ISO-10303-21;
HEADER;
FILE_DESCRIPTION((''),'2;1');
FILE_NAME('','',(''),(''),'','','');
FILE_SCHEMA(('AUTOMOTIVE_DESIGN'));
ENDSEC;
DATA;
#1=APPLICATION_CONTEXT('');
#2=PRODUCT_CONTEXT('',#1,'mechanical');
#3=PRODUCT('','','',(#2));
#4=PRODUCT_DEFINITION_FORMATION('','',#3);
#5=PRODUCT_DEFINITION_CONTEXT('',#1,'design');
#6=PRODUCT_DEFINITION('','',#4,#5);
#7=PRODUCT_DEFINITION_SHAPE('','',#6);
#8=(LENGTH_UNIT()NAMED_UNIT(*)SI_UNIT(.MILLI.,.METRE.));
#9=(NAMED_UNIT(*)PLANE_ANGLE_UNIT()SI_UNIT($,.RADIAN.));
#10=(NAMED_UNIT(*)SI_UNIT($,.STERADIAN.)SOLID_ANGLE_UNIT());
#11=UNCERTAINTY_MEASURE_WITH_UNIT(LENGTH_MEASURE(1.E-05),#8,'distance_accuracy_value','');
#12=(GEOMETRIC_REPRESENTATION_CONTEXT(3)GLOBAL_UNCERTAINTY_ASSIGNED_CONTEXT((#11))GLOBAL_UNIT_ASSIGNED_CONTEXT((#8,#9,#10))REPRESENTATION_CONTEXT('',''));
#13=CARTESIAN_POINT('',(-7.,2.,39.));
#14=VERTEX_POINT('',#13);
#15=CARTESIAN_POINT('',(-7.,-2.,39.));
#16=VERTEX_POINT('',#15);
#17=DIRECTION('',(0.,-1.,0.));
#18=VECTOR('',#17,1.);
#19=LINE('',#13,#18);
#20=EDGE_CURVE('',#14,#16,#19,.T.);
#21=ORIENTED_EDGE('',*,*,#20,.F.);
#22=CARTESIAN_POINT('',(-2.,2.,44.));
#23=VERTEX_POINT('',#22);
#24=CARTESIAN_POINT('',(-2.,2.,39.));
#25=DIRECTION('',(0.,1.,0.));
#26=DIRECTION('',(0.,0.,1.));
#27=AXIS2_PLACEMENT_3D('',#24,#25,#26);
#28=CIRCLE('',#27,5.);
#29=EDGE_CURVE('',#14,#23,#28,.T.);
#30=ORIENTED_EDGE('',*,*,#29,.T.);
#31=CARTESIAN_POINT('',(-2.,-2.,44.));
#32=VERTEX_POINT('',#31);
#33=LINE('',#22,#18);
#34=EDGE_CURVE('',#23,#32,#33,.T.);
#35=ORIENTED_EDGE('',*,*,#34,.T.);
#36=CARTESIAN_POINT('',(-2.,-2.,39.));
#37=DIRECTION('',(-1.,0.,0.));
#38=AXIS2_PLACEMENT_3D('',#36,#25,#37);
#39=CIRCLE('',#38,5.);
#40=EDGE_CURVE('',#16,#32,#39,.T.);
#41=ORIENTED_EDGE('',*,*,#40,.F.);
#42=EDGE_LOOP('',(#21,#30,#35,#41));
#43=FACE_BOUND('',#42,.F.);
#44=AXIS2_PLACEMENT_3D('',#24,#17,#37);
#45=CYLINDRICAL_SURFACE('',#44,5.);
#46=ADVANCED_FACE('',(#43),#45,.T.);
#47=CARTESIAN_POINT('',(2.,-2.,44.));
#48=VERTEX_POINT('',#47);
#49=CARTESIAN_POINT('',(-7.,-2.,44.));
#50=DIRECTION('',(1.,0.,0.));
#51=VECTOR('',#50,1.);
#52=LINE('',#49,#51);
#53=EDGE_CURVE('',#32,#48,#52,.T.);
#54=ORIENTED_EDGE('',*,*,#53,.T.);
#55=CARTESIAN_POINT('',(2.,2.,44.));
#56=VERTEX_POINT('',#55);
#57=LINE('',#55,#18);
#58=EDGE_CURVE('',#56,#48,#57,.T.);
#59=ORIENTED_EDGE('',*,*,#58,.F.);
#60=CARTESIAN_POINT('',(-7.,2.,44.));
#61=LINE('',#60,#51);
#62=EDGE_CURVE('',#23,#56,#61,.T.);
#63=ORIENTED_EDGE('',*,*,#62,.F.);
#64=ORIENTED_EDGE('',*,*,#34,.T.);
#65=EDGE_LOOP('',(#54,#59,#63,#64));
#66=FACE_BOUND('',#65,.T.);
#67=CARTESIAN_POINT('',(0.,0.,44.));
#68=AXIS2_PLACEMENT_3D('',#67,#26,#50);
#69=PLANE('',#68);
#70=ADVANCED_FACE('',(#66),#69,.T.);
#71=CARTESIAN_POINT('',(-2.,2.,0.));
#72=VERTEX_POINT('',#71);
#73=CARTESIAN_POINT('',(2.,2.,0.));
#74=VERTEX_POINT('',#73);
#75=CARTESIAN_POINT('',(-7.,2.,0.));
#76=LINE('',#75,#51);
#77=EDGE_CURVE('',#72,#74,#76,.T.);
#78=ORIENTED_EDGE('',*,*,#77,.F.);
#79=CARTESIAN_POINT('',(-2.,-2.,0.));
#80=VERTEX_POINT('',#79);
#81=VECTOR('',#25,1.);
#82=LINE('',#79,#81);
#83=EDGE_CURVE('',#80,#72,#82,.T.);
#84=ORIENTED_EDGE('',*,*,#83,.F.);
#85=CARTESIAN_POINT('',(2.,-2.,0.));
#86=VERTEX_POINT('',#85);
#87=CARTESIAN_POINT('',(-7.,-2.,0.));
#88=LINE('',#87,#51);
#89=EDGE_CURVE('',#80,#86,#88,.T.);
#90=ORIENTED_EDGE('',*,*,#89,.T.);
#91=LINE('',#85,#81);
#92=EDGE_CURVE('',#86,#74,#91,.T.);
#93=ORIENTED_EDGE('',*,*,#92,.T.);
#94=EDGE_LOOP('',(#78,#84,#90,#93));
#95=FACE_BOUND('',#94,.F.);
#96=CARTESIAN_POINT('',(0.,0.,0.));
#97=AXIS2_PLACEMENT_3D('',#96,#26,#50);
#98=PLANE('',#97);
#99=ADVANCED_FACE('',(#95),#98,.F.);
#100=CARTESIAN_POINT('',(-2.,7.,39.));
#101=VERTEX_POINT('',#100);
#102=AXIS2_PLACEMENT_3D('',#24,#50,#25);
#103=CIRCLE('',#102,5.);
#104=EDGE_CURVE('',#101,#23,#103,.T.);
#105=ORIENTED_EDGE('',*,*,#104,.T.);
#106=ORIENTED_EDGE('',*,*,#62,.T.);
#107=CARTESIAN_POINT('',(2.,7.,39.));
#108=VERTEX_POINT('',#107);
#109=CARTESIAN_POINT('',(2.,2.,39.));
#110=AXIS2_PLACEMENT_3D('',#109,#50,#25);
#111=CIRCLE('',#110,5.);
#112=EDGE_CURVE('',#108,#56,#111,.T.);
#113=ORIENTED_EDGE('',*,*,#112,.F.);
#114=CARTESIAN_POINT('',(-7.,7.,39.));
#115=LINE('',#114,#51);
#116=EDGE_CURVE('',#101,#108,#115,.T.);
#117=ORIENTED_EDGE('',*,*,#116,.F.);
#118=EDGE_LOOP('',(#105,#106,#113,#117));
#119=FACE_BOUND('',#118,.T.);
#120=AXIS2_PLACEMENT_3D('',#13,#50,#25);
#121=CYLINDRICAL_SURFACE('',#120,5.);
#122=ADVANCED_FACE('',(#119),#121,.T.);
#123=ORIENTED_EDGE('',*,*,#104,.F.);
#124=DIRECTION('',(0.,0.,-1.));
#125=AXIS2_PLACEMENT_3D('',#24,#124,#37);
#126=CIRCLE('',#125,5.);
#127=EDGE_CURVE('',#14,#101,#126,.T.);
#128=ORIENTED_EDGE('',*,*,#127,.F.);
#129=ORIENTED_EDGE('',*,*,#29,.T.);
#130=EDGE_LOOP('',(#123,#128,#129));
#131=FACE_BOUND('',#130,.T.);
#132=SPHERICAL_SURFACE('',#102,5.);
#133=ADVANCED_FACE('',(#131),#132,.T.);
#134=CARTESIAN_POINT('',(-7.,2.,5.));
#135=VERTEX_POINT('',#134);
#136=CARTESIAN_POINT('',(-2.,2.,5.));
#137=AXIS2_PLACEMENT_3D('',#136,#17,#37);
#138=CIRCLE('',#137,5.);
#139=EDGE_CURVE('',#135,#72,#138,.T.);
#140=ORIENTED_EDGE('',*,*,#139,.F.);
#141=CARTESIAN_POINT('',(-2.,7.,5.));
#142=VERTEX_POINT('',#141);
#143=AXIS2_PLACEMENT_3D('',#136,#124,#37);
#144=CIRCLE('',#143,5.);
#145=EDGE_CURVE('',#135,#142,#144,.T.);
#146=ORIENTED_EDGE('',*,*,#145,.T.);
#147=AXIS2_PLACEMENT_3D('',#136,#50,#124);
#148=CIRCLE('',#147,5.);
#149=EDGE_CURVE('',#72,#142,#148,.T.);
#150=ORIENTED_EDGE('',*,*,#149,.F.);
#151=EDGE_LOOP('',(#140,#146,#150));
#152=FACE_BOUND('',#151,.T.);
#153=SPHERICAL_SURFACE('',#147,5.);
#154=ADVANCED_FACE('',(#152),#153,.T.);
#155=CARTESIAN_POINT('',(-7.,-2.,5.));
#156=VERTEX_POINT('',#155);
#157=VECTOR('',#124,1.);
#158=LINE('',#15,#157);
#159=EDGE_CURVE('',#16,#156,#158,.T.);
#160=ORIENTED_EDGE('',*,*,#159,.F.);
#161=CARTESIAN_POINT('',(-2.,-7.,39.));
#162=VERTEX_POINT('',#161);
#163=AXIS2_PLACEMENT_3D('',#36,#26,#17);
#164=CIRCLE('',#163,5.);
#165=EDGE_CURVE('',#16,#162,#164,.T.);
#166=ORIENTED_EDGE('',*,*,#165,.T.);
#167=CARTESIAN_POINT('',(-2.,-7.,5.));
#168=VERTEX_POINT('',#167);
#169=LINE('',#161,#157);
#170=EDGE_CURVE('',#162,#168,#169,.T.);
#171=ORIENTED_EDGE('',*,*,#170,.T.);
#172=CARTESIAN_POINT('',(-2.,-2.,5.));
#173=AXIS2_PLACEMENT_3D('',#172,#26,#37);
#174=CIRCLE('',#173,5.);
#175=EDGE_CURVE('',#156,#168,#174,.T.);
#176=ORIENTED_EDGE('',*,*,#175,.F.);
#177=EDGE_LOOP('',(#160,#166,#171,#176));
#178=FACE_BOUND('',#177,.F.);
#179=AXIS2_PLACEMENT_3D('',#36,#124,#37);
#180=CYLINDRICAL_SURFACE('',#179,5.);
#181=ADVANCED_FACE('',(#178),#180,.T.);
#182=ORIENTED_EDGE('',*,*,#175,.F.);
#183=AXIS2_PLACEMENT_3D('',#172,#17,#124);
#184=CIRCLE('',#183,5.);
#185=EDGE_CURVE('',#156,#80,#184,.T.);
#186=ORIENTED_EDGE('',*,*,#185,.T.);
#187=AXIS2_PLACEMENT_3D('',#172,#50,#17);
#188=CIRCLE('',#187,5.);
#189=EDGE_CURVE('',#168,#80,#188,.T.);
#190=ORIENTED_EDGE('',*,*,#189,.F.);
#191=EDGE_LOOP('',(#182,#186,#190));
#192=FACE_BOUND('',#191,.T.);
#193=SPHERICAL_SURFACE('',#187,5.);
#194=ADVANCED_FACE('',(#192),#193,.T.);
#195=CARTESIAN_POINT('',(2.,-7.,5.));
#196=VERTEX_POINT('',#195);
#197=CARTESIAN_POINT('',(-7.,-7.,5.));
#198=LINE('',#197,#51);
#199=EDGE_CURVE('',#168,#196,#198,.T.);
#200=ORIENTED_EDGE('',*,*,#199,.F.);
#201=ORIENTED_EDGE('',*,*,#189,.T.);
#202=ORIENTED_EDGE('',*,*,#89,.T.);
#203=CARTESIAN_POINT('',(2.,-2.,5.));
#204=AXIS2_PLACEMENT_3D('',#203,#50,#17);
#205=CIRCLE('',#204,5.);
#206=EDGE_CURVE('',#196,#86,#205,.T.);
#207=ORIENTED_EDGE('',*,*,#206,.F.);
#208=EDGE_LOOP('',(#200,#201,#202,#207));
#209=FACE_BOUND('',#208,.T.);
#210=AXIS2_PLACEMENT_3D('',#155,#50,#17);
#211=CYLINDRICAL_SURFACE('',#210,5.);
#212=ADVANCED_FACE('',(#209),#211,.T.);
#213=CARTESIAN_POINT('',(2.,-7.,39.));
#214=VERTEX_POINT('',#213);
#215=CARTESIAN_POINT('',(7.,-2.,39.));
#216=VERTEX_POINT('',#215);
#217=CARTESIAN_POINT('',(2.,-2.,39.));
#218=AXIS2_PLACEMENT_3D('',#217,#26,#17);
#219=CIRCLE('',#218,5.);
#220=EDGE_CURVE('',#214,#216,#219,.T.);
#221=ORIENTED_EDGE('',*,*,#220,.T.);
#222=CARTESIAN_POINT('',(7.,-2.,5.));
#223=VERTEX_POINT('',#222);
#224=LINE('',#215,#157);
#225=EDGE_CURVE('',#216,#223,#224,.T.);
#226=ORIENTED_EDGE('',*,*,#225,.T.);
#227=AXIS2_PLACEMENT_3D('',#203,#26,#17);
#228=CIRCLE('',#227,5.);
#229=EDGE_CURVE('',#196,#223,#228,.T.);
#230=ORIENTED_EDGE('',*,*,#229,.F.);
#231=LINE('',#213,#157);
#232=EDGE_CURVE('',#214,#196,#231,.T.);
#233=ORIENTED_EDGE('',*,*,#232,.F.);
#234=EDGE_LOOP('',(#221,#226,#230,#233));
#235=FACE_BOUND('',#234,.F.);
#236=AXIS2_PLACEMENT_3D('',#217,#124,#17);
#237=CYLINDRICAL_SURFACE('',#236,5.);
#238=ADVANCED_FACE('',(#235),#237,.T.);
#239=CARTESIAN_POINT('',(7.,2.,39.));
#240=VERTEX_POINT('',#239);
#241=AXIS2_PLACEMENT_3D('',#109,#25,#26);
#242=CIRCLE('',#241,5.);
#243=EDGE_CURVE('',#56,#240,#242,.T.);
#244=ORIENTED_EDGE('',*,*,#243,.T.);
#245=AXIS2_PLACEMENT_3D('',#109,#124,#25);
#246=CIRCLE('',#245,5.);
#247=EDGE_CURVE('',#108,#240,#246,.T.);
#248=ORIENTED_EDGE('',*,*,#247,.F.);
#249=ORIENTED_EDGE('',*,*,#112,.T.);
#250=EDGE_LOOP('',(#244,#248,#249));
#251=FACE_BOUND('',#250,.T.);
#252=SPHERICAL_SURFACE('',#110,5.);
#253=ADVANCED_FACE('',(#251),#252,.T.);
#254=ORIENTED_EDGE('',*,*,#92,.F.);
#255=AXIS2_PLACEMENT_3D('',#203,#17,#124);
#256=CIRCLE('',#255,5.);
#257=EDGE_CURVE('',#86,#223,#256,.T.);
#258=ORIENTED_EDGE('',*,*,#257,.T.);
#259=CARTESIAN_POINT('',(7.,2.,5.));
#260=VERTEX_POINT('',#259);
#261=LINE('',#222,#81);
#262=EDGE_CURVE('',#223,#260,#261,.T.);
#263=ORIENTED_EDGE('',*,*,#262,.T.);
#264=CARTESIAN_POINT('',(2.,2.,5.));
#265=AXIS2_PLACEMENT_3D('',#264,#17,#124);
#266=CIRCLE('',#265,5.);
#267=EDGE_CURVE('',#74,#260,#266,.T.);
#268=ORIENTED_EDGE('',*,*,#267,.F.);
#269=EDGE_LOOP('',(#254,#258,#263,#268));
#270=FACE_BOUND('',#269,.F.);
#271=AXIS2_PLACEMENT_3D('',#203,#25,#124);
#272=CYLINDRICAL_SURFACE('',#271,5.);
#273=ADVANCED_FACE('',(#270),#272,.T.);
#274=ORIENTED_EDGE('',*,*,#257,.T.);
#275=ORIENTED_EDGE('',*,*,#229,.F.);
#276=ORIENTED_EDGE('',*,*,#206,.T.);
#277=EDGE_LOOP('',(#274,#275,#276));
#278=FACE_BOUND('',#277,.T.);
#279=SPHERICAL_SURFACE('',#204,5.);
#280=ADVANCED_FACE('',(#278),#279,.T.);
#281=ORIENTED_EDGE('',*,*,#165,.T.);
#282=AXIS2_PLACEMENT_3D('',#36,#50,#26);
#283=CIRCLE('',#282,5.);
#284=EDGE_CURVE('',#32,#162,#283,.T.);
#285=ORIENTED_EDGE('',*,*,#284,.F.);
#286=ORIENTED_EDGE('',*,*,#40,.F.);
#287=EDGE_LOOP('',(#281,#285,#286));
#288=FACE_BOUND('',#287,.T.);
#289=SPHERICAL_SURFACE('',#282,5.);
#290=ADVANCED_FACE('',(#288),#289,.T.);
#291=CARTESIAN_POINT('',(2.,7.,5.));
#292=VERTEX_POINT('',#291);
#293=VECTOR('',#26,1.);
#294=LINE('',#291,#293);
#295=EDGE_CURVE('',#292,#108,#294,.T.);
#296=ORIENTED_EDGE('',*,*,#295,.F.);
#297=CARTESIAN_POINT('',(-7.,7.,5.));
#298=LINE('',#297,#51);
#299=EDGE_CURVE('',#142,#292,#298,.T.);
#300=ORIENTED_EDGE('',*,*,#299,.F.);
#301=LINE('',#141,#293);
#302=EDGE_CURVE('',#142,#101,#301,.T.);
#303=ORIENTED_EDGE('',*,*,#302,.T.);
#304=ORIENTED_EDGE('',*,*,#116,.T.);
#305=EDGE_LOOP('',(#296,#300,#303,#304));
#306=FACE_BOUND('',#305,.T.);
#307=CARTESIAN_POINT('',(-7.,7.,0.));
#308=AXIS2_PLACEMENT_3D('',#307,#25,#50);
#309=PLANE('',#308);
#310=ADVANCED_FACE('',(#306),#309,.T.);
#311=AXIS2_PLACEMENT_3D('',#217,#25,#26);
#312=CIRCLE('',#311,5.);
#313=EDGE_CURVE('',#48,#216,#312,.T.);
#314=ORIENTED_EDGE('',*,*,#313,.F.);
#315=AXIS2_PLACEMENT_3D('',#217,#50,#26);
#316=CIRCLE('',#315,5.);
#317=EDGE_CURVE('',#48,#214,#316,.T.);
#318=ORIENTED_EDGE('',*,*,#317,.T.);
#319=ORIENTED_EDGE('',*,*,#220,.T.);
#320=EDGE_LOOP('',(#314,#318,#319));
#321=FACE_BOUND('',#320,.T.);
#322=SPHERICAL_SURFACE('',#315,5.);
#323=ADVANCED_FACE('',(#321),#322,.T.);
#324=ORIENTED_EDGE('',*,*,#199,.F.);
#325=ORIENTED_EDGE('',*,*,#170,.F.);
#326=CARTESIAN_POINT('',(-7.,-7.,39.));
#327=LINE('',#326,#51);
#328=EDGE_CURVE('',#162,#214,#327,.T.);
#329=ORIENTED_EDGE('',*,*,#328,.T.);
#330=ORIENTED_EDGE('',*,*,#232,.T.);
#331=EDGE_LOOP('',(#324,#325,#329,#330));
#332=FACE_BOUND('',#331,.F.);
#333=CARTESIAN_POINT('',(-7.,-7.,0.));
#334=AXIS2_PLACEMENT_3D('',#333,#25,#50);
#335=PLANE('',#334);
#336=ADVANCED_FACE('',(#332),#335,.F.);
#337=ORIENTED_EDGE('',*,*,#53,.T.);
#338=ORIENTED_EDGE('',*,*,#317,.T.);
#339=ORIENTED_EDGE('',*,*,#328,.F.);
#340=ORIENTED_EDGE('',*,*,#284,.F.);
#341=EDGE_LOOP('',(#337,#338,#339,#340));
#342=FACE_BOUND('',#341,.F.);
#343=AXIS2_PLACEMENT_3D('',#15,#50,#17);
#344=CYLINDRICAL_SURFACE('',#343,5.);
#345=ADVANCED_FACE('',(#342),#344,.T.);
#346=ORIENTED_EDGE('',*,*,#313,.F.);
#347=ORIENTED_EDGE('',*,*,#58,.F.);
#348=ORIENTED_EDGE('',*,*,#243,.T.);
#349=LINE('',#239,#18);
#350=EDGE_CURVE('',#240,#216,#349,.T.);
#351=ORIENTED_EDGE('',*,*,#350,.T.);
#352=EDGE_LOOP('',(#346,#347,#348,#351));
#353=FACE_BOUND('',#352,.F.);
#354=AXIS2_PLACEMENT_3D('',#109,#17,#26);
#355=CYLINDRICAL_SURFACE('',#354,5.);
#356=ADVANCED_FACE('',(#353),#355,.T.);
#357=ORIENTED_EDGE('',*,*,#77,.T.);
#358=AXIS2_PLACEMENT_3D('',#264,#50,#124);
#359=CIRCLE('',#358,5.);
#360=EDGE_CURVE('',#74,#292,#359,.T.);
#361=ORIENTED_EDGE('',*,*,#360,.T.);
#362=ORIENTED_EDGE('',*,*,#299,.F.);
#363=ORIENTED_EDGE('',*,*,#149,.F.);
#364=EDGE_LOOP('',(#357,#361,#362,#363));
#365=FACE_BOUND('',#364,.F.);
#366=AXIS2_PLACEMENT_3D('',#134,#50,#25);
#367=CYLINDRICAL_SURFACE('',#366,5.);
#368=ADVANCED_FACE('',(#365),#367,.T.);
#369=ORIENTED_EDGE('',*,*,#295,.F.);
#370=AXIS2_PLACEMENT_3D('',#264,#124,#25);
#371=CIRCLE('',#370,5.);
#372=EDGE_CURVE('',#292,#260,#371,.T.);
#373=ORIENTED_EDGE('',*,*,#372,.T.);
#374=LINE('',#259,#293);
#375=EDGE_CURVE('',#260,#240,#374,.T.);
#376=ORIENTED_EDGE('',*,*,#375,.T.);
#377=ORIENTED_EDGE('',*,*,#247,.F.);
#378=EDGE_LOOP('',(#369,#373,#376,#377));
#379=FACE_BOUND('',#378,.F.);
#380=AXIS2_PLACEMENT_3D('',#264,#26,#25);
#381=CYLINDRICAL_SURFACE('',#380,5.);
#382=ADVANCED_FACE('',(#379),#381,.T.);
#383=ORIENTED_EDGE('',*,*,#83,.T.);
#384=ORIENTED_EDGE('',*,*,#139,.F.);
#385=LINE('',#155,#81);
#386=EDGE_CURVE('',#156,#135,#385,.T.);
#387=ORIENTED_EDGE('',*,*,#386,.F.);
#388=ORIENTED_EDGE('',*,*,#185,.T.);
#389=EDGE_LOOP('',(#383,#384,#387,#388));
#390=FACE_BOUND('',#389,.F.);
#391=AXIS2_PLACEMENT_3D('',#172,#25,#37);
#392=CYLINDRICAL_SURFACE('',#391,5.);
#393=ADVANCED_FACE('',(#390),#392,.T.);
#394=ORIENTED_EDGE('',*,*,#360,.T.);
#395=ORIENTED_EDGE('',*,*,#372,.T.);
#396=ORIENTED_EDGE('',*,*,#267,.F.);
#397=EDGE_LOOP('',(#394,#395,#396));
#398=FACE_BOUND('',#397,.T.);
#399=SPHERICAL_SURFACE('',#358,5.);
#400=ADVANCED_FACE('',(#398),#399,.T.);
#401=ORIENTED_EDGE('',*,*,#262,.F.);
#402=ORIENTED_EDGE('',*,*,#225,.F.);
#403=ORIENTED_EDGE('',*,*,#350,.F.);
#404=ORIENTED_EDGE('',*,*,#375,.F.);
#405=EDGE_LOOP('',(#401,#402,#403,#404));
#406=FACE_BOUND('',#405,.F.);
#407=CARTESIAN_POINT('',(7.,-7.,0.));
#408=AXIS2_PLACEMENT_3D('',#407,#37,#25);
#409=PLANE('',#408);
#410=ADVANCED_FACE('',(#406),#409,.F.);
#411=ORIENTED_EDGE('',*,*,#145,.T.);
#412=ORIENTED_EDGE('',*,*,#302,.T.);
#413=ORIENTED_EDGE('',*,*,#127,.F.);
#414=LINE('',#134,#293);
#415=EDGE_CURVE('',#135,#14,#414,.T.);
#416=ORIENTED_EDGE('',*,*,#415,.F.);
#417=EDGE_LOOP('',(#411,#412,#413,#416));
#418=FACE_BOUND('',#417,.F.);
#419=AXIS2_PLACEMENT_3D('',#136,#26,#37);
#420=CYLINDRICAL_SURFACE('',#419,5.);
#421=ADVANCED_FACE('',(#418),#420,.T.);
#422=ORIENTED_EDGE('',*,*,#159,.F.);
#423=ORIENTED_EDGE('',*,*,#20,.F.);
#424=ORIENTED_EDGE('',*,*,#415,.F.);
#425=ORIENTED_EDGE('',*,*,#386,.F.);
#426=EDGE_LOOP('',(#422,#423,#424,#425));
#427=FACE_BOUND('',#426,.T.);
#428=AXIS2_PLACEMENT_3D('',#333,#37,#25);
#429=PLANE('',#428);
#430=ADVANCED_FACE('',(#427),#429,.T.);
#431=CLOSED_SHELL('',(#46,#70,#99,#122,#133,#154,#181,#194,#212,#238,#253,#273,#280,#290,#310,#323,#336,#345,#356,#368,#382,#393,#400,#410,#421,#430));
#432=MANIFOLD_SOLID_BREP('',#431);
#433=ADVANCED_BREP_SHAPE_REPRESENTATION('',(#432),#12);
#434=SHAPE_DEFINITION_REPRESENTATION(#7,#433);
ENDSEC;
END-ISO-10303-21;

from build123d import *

# Parameters (mm, degrees)
F0_W     = 14
F0_H     = 14
F1_DEPTH = 44
F2_R     = 5
F3_R     = 5


with BuildPart() as f1:
    # F0 (on Top) → F1 (new body)
    with BuildSketch(Plane.XY):
        Rectangle(F0_W, F0_H)
    extrude(amount=F1_DEPTH)

    # F2
    f2_edges = [f1.edges().sort_by_distance(p)[0] for p in [
        (0, -7, 0),
        (0, 7, 0),
        (0, -7, 44),
        (0, 7, 44),
    ]]
    fillet(f2_edges, radius=F2_R)

    # F3
    f3_edges = [f1.edges().sort_by_distance(p)[0] for p in [
        (7, 7, 22),
        (0, 7, 5),
        (0, 7, 39),
        (-7, 7, 22),
    ]]
    fillet(f3_edges, radius=F3_R)


solid = f1.part
